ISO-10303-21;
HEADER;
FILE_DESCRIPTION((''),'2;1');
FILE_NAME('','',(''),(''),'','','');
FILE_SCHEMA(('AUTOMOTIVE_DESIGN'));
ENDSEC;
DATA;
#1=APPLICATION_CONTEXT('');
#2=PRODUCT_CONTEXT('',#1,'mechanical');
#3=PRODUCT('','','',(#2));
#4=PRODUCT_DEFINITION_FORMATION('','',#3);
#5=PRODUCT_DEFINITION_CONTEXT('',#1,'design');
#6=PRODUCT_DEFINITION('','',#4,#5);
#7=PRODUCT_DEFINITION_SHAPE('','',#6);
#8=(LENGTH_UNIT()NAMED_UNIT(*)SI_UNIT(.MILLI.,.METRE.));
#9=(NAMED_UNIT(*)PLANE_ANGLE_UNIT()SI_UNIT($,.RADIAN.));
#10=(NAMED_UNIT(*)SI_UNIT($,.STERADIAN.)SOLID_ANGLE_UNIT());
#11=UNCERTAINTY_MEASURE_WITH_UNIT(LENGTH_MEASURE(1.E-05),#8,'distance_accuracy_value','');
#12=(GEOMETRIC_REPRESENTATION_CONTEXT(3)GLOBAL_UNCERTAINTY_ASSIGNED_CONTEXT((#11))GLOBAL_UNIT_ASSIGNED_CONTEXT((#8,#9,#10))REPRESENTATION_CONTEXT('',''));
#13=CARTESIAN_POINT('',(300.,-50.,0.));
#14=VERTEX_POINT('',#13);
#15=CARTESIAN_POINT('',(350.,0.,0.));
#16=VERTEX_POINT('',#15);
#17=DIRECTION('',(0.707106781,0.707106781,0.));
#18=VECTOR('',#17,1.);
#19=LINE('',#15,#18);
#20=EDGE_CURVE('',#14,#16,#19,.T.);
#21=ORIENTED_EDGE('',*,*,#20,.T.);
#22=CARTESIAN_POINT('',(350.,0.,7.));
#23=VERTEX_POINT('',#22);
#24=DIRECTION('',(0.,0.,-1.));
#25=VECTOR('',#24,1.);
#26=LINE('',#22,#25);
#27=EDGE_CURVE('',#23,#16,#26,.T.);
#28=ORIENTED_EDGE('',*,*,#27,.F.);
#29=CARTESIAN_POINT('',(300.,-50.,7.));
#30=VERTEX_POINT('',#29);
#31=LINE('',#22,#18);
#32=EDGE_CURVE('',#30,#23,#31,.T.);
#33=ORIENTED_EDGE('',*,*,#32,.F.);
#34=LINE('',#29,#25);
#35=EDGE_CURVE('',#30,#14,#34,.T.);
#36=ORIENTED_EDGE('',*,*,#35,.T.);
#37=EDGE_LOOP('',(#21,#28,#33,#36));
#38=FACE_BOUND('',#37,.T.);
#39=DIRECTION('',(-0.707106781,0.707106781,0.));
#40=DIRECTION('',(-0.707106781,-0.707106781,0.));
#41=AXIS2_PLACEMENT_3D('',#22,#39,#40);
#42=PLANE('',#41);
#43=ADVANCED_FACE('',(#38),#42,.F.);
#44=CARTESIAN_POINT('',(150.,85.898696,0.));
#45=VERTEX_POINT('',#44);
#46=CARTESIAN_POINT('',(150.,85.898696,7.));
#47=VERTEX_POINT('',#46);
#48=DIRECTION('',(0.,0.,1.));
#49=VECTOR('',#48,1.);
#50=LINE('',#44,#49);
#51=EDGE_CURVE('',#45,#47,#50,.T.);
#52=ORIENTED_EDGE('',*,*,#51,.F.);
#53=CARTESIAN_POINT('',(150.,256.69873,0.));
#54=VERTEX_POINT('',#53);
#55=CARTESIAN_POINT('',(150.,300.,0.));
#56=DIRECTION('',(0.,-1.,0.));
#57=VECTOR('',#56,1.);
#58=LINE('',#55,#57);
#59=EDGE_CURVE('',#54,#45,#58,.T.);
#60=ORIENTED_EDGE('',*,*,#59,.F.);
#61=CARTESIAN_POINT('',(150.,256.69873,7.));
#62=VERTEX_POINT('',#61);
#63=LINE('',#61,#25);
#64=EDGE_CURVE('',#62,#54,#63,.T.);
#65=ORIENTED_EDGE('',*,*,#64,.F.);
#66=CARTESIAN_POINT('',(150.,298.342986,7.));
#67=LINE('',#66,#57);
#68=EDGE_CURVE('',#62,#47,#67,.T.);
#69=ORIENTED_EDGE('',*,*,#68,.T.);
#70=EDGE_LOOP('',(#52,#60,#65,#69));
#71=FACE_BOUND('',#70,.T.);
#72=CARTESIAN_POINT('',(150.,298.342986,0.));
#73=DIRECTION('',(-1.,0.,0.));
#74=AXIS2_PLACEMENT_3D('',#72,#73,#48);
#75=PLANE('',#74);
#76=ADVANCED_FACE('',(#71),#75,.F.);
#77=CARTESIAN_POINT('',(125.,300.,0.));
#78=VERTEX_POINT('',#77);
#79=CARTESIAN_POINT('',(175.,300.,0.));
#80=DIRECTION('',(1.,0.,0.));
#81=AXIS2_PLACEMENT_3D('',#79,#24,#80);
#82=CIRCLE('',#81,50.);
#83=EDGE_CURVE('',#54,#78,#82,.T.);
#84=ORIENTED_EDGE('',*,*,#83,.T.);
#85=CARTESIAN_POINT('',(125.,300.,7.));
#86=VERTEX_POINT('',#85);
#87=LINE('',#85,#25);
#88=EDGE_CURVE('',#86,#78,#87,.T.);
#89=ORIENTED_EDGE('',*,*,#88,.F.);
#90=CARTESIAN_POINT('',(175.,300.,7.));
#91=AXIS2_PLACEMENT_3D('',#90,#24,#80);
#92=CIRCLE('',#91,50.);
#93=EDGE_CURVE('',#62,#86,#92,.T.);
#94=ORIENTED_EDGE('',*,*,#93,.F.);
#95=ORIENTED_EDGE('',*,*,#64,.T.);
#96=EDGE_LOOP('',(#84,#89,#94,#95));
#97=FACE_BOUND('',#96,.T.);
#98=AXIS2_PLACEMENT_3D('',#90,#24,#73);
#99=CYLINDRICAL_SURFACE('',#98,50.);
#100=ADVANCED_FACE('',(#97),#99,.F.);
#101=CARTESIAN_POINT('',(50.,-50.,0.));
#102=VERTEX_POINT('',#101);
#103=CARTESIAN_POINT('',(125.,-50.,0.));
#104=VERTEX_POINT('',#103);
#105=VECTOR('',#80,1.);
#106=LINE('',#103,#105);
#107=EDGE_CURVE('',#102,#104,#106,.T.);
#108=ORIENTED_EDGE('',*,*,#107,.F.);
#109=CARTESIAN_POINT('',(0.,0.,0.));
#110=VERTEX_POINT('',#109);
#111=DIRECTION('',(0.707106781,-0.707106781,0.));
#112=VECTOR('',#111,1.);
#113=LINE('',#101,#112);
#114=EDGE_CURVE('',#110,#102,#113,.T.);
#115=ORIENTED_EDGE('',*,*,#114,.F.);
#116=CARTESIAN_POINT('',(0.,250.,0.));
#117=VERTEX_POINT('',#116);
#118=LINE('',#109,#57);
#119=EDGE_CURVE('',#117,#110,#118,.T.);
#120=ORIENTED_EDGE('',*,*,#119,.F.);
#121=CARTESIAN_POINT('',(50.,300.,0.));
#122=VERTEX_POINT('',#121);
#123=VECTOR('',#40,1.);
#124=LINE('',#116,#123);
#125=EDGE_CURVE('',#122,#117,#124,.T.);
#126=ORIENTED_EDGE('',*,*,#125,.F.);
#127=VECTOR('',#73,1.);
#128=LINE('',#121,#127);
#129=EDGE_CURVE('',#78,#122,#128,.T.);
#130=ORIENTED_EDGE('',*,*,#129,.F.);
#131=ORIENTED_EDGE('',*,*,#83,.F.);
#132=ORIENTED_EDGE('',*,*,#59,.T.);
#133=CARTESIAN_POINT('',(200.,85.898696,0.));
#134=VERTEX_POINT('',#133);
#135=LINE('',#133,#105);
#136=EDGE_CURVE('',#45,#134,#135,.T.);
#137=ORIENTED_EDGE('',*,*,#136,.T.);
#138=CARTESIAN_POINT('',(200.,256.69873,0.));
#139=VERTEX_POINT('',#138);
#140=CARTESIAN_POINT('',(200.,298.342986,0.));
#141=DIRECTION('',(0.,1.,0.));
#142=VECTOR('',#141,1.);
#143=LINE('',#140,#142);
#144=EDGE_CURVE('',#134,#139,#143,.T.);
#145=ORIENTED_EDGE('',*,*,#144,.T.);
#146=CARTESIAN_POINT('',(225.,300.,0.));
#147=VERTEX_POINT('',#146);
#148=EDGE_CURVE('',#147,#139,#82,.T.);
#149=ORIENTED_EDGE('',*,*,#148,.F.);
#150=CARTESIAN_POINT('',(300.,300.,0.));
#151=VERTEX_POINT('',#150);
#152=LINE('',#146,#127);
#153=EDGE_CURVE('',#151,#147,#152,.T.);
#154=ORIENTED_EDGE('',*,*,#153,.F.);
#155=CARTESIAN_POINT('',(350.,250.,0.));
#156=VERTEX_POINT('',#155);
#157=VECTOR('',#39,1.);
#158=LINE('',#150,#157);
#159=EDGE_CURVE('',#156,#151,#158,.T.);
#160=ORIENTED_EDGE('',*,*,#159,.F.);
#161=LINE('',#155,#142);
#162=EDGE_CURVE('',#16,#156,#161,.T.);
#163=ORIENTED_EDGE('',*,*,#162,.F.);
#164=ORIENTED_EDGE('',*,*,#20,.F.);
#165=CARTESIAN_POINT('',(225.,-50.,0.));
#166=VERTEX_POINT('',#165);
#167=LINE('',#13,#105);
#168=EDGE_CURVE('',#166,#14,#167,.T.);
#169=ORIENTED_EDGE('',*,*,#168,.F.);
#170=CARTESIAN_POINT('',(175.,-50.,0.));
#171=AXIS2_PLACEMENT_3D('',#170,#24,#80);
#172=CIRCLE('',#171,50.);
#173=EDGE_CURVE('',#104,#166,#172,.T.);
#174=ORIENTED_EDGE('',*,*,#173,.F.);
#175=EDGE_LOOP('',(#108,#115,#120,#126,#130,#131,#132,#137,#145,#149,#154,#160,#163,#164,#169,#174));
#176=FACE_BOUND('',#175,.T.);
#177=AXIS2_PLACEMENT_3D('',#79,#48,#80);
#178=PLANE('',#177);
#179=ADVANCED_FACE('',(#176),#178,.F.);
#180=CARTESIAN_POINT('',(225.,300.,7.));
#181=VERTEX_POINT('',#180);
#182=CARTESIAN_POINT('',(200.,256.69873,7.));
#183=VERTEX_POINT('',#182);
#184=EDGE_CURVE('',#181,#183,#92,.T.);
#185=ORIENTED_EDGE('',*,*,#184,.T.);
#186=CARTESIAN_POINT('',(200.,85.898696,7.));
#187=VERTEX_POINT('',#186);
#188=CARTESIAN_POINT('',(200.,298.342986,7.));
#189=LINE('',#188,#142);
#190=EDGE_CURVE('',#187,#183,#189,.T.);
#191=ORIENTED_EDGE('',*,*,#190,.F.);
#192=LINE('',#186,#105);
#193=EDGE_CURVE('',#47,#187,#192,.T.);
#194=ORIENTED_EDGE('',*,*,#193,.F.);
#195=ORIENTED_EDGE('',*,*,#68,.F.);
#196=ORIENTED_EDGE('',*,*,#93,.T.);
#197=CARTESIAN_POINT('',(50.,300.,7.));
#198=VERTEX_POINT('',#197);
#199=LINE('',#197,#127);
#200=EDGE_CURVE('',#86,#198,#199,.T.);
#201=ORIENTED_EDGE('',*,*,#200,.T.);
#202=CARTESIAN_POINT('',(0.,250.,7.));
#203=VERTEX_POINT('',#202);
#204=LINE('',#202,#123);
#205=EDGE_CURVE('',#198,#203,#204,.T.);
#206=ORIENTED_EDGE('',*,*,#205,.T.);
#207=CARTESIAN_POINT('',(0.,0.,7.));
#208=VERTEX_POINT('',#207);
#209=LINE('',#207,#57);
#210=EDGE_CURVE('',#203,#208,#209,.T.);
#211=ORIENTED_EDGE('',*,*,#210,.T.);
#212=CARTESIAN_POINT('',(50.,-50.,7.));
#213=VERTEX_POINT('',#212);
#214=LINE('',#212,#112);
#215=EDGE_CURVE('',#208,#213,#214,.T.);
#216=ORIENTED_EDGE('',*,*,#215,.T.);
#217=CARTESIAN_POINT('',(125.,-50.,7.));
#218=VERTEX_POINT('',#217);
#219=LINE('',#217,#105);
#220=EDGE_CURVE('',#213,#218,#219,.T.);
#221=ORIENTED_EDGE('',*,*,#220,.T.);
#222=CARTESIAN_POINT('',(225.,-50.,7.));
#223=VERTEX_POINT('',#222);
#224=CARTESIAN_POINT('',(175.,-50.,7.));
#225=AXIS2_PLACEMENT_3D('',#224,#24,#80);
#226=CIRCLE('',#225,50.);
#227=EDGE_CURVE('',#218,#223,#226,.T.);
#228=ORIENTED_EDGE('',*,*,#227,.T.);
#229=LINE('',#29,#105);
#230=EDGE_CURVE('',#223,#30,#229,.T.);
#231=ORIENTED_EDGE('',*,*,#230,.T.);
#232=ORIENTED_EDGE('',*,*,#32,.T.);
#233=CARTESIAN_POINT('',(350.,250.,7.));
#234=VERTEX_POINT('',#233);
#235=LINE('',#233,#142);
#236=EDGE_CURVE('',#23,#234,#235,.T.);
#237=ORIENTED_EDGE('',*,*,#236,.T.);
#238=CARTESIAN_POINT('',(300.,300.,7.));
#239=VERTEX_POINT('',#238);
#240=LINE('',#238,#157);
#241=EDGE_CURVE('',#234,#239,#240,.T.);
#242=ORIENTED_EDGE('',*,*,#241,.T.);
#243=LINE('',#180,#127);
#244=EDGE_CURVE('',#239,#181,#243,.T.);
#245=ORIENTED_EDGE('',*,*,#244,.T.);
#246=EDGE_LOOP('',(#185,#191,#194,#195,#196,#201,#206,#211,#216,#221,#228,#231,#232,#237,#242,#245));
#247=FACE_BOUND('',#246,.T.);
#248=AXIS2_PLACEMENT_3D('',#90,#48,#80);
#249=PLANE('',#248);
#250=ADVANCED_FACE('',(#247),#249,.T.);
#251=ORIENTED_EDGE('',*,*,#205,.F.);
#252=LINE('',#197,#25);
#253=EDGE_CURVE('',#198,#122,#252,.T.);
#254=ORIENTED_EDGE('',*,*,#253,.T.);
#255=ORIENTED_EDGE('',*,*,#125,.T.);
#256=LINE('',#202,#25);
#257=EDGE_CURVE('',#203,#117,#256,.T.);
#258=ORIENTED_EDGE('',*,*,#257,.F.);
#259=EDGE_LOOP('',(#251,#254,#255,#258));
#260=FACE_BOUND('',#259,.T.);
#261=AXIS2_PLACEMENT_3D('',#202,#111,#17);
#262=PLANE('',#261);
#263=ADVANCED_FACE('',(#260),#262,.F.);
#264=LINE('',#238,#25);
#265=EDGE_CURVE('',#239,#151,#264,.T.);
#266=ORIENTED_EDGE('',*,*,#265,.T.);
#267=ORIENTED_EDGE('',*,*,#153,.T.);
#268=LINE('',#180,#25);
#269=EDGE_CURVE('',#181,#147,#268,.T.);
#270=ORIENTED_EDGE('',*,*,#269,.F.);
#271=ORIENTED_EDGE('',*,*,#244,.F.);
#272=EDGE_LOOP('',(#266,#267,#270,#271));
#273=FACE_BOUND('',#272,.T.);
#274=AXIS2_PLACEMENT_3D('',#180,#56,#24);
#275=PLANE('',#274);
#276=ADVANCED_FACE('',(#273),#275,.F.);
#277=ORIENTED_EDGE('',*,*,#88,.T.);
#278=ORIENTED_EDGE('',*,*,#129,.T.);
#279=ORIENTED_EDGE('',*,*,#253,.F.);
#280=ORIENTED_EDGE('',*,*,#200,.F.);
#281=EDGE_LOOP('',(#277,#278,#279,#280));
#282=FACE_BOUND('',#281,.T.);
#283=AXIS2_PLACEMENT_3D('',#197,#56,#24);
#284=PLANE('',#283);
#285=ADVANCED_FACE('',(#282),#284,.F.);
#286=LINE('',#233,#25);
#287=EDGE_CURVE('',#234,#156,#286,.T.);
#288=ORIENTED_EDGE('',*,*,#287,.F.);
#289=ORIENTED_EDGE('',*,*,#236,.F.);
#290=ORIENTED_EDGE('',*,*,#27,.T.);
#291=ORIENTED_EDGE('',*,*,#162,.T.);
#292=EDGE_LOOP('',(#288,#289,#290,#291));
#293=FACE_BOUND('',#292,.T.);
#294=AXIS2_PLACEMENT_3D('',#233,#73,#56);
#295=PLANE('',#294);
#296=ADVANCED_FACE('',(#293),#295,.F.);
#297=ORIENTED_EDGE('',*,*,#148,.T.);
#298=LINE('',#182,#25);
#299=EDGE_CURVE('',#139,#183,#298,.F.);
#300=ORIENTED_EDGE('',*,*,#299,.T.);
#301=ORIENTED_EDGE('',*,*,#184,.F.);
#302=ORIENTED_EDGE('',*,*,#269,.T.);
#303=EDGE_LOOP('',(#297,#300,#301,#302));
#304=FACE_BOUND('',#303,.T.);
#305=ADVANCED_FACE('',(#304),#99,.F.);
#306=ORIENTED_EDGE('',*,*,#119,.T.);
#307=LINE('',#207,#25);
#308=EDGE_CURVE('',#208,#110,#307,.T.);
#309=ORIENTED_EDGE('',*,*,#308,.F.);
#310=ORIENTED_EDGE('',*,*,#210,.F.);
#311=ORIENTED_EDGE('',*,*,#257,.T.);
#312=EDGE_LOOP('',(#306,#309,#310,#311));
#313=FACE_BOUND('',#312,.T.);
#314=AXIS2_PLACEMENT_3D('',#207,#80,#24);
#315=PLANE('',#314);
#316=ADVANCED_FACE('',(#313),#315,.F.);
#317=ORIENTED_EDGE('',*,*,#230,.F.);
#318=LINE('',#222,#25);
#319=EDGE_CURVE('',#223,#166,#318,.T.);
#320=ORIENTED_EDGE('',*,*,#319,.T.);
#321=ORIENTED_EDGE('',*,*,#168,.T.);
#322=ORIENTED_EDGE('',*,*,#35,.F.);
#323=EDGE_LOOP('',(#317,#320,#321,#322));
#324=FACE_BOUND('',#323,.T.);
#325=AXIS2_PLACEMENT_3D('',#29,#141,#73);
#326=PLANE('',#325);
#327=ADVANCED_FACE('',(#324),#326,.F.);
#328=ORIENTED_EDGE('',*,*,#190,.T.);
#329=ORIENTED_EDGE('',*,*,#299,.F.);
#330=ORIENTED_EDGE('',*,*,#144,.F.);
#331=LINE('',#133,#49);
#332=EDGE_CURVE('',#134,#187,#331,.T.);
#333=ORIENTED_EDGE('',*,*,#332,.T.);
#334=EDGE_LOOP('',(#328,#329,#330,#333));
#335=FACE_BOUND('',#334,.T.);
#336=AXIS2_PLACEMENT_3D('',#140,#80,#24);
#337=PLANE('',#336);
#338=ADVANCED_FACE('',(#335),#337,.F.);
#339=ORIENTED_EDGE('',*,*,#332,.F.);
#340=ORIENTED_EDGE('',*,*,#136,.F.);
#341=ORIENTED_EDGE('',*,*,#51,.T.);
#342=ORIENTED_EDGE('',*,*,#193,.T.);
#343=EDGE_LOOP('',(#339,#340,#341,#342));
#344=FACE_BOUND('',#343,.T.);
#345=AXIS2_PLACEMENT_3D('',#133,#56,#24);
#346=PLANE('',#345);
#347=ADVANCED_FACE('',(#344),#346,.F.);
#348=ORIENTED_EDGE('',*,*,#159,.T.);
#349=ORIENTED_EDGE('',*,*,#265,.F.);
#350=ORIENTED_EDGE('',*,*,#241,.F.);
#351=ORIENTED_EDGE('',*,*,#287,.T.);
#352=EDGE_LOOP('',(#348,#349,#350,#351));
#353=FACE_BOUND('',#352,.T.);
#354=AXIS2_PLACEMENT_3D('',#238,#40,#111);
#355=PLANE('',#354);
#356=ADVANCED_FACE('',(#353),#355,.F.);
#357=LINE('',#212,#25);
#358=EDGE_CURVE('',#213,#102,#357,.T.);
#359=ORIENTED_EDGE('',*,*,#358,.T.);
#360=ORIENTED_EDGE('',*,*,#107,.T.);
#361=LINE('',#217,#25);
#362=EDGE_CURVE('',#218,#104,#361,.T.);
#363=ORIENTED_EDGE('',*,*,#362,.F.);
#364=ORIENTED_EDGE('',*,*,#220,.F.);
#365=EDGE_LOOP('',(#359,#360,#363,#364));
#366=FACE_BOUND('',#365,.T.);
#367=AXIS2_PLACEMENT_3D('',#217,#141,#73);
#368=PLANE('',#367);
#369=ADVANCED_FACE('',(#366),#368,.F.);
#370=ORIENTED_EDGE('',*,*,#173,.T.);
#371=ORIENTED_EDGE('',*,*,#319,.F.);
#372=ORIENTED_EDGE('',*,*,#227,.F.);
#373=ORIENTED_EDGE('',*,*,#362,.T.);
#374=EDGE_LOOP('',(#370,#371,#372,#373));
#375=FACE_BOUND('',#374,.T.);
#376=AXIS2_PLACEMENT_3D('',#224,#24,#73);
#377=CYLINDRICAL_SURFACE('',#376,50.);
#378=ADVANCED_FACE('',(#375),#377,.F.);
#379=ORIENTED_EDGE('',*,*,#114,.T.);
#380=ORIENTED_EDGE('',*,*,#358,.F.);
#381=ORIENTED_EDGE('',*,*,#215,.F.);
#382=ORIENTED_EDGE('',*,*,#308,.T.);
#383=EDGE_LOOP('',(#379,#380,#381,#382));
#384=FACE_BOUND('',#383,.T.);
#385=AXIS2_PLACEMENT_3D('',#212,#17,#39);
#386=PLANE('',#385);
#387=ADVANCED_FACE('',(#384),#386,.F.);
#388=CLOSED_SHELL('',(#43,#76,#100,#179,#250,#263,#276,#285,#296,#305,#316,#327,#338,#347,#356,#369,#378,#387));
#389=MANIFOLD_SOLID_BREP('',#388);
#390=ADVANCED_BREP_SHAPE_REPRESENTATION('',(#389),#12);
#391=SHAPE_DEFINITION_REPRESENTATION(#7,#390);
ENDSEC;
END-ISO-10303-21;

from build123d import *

# Parameters (mm, degrees)
BOSS_EXTRUDE1_DEPTH = 7
SKETCH3_W           = 50
SKETCH3_H           = 212.444289875
CUT_EXTRUDE2_DEPTH  = 8


with BuildPart() as part:
    # Sketch1 → Boss-Extrude1 (new body)
    with BuildSketch(Plane.XY):
        with BuildLine():
            Line((0, 0), (0, 250))
            Line((0, 250), (50, 300))
            Line((50, 300), (125, 300))
            ThreePointArc((125, 300), (175, 250), (225, 300))
            Line((225, 300), (300, 300))
            Line((300, 300), (350, 250))
            Line((350, 250), (350, 0))
            Line((350, 0), (300, -50))
            Line((300, -50), (225, -50))
            ThreePointArc((225, -50), (175, 0), (125, -50))
            Line((125, -50), (50, -50))
            Line((50, -50), (0, 0))
        make_face()
    extrude(amount=BOSS_EXTRUDE1_DEPTH)

    # Sketch3 → Cut-Extrude2 (cut, through all)
    with BuildSketch(Plane.XY.offset(7)):
        with Locations((175, 192.120840959)):
            Rectangle(SKETCH3_W, SKETCH3_H)
    extrude(amount=-CUT_EXTRUDE2_DEPTH, mode=Mode.SUBTRACT)


solid = part.part
